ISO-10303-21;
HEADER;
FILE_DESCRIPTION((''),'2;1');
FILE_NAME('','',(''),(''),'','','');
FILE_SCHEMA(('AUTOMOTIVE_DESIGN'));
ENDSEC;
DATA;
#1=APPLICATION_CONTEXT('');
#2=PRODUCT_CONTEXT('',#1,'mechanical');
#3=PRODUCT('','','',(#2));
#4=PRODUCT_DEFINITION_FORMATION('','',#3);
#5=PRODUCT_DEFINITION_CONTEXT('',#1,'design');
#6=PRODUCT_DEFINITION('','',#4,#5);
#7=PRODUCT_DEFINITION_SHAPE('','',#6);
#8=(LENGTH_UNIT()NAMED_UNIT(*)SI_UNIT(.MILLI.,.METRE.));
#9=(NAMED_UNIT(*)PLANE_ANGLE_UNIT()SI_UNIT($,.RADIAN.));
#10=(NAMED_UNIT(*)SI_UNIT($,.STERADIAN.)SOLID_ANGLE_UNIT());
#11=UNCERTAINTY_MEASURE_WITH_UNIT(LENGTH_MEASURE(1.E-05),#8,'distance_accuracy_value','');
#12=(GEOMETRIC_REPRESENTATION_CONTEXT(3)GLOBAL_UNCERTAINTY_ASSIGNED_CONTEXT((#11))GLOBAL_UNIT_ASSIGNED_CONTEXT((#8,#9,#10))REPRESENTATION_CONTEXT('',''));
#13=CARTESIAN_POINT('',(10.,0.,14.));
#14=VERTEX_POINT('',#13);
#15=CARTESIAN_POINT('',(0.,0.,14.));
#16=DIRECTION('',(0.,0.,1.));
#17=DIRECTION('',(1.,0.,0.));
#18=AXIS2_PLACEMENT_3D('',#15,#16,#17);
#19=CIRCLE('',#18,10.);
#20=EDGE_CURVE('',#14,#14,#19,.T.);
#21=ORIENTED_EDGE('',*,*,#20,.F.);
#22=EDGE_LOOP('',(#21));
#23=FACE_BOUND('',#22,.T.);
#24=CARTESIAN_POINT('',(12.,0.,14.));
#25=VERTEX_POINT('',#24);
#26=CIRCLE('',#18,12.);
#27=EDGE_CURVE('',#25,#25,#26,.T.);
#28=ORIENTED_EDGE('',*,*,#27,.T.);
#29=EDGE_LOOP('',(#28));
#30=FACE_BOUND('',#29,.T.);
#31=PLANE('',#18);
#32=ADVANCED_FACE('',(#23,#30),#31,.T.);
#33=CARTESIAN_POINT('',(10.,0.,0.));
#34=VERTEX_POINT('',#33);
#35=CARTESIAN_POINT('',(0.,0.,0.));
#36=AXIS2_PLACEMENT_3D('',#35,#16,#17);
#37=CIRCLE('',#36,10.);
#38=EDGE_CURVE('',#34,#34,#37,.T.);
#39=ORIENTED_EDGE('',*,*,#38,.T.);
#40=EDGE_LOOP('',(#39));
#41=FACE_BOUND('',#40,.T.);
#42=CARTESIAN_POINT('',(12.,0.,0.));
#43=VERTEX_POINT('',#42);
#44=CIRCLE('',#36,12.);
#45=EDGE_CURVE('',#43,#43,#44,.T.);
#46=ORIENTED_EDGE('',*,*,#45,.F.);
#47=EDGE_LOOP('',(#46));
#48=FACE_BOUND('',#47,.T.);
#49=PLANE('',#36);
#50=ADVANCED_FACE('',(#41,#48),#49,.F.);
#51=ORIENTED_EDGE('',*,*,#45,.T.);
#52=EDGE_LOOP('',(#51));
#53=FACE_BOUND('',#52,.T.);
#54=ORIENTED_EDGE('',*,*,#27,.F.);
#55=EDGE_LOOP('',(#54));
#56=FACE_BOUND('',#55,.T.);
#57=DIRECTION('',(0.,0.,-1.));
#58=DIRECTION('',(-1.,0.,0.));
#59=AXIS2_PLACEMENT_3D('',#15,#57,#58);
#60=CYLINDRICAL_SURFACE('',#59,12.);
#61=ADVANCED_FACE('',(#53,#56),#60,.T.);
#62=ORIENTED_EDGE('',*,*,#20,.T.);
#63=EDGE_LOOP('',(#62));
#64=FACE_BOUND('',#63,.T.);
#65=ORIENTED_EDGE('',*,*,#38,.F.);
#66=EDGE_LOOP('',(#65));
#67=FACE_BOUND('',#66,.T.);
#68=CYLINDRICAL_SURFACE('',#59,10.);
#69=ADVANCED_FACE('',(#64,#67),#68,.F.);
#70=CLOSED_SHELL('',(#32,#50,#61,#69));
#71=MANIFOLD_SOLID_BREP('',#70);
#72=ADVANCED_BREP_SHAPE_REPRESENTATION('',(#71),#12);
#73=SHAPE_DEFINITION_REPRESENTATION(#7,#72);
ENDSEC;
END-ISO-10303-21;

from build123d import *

# Parameters (mm, degrees)
ESQUISSE1_R      = 12
ESQUISSE1_R_2    = 10
EXTRUSION1_DEPTH = 14


with BuildPart() as part:
    # Esquisse1 → Extrusion1 (new body)
    with BuildSketch(Plane.XY):
        Circle(ESQUISSE1_R)
        Circle(ESQUISSE1_R_2, mode=Mode.SUBTRACT)
    extrude(amount=EXTRUSION1_DEPTH)


solid = part.part
